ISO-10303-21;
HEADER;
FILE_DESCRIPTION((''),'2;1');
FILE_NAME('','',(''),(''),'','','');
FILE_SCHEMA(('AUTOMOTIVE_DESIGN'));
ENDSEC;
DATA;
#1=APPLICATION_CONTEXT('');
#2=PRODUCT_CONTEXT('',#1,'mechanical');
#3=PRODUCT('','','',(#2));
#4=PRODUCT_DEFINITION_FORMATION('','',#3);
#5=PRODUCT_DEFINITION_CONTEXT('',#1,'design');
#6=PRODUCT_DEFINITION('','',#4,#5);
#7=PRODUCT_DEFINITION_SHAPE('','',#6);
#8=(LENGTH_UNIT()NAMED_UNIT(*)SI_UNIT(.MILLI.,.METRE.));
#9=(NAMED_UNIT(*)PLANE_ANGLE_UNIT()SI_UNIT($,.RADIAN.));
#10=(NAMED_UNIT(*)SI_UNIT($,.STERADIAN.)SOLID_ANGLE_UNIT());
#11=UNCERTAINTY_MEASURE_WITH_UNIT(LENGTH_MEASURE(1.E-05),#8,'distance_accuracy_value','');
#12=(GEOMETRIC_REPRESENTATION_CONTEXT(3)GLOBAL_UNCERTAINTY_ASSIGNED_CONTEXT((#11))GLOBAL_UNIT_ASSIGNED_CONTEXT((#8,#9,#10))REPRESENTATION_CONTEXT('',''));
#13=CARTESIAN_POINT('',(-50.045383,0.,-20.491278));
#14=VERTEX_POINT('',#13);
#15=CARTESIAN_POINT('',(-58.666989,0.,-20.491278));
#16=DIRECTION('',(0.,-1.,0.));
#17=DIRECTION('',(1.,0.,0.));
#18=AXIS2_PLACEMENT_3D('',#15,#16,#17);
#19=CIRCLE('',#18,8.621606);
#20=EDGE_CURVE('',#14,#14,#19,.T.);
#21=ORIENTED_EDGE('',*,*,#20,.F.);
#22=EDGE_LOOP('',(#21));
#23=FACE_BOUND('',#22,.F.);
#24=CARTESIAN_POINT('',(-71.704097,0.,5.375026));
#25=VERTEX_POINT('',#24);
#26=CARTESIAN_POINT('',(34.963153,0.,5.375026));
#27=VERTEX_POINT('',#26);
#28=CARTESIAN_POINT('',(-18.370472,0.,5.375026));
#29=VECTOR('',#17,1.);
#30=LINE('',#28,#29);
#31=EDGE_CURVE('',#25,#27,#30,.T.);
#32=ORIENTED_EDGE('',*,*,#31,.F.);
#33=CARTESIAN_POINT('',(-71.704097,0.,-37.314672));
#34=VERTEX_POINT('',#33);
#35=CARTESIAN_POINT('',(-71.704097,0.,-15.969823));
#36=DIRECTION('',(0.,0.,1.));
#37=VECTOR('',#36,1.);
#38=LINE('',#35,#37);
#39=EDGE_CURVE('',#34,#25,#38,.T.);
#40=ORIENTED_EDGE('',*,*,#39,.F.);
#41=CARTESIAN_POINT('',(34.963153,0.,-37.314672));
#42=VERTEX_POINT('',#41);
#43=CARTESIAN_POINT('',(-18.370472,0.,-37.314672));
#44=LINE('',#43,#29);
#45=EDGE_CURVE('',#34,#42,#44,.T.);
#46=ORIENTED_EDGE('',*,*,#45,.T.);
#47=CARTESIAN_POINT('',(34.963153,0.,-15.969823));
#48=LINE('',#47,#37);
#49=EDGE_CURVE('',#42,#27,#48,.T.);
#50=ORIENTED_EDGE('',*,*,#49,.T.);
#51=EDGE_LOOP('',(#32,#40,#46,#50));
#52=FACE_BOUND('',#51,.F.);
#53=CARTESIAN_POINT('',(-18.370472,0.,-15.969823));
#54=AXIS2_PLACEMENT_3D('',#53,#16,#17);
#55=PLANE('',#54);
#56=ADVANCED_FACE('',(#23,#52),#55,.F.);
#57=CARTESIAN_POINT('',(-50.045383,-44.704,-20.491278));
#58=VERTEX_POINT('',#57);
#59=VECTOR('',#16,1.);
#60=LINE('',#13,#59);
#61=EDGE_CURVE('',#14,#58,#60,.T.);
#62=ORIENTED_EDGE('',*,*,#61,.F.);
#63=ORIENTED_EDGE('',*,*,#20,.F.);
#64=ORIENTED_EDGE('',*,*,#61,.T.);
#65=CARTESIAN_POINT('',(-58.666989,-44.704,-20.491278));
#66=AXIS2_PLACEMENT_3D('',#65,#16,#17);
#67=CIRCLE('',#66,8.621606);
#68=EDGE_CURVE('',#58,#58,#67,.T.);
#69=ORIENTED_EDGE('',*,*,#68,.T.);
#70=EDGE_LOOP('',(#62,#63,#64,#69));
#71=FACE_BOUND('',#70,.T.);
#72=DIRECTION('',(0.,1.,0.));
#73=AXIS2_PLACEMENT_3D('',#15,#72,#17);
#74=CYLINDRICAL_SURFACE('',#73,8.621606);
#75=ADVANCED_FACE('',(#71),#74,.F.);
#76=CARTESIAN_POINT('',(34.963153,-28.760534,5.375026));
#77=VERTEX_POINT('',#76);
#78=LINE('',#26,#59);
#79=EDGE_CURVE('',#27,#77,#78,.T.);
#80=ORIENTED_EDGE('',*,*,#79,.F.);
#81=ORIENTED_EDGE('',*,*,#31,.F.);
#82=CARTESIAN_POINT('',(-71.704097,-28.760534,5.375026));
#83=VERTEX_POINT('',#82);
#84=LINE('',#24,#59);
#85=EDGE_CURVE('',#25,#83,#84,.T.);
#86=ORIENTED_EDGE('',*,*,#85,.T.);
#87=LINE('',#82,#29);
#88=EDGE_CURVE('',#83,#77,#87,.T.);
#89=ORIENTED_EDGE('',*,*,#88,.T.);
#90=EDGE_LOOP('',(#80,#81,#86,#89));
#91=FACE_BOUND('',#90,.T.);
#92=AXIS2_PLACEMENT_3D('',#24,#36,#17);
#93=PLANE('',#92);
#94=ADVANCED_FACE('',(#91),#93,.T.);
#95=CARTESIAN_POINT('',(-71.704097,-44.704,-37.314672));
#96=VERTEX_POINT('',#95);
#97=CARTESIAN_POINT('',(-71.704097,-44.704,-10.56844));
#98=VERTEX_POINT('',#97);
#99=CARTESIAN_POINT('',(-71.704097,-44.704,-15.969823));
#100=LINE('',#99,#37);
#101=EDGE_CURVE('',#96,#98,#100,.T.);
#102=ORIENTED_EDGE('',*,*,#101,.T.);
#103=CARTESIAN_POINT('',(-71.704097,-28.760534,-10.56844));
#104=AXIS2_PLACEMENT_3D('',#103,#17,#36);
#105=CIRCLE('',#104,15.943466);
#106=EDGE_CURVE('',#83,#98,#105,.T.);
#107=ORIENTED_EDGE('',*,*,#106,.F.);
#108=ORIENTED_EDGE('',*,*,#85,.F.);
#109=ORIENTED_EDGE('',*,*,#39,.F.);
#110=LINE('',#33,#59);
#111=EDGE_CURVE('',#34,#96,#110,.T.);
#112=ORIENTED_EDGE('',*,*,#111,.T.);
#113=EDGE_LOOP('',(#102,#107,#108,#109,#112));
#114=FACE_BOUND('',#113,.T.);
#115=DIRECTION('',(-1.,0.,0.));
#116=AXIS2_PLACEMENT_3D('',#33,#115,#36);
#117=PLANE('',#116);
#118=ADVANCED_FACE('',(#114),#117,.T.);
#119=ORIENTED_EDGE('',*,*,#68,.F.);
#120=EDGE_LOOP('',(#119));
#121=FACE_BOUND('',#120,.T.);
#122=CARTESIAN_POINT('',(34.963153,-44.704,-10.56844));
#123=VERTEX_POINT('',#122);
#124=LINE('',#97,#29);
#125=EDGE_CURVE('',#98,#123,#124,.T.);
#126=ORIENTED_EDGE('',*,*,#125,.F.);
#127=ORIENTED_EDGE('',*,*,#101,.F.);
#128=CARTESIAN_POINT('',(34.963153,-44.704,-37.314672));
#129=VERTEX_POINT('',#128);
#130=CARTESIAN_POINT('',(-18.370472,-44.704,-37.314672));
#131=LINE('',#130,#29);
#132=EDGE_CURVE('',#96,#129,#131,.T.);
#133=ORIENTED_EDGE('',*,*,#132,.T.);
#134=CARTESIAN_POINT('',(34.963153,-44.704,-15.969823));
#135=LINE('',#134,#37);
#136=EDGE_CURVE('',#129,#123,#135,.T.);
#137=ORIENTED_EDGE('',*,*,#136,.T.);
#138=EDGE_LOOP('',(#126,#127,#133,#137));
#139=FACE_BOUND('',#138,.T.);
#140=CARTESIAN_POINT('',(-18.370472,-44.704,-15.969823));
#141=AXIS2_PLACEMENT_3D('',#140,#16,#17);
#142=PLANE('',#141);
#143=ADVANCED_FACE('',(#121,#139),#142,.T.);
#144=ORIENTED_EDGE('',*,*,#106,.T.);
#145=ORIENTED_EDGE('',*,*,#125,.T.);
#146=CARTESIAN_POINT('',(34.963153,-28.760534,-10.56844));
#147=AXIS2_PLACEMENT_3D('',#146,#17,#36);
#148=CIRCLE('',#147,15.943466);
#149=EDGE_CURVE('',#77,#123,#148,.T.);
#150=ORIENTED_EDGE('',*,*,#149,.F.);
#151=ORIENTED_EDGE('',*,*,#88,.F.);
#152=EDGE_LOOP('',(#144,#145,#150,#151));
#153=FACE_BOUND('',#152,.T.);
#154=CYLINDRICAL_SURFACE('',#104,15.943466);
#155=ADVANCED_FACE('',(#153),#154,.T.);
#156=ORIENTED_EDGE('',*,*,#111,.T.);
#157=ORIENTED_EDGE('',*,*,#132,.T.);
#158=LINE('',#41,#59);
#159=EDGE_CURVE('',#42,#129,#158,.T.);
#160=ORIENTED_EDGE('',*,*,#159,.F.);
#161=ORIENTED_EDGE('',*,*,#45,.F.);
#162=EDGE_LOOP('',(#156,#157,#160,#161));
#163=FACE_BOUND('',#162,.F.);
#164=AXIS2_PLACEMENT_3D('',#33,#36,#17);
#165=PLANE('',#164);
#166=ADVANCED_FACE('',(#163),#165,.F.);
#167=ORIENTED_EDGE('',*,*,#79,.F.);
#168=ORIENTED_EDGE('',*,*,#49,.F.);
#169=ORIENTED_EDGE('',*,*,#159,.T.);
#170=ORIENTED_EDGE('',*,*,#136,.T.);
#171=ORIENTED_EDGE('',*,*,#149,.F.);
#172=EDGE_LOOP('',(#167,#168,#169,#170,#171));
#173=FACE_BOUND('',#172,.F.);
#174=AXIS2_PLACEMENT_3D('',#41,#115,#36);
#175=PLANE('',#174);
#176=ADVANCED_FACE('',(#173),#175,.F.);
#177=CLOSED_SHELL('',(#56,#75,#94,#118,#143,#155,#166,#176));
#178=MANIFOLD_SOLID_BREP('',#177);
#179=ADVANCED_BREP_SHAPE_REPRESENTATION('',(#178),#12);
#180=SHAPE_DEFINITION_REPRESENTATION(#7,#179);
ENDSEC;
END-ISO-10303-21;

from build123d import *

# Parameters (mm, degrees)
F0_W     = 106.66725
F0_H     = 42.689698
F0_R     = 8.621606
F1_DEPTH = 44.704
F2_R     = 15.943466


with BuildPart() as f1:
    # F0 (on Front) → F1 (new body)
    with BuildSketch(Plane.XZ):
        with Locations((-18.370472, -15.969823)):
            Rectangle(F0_W, F0_H)
        with Locations((-58.666989, -20.491278)):
            Circle(F0_R, mode=Mode.SUBTRACT)
    extrude(amount=F1_DEPTH)

    # F2
    f2_edges = [f1.edges().sort_by_distance(p)[0] for p in [
        (-18.370472, -44.704, 5.375026),
    ]]
    fillet(f2_edges, radius=F2_R)


solid = f1.part
